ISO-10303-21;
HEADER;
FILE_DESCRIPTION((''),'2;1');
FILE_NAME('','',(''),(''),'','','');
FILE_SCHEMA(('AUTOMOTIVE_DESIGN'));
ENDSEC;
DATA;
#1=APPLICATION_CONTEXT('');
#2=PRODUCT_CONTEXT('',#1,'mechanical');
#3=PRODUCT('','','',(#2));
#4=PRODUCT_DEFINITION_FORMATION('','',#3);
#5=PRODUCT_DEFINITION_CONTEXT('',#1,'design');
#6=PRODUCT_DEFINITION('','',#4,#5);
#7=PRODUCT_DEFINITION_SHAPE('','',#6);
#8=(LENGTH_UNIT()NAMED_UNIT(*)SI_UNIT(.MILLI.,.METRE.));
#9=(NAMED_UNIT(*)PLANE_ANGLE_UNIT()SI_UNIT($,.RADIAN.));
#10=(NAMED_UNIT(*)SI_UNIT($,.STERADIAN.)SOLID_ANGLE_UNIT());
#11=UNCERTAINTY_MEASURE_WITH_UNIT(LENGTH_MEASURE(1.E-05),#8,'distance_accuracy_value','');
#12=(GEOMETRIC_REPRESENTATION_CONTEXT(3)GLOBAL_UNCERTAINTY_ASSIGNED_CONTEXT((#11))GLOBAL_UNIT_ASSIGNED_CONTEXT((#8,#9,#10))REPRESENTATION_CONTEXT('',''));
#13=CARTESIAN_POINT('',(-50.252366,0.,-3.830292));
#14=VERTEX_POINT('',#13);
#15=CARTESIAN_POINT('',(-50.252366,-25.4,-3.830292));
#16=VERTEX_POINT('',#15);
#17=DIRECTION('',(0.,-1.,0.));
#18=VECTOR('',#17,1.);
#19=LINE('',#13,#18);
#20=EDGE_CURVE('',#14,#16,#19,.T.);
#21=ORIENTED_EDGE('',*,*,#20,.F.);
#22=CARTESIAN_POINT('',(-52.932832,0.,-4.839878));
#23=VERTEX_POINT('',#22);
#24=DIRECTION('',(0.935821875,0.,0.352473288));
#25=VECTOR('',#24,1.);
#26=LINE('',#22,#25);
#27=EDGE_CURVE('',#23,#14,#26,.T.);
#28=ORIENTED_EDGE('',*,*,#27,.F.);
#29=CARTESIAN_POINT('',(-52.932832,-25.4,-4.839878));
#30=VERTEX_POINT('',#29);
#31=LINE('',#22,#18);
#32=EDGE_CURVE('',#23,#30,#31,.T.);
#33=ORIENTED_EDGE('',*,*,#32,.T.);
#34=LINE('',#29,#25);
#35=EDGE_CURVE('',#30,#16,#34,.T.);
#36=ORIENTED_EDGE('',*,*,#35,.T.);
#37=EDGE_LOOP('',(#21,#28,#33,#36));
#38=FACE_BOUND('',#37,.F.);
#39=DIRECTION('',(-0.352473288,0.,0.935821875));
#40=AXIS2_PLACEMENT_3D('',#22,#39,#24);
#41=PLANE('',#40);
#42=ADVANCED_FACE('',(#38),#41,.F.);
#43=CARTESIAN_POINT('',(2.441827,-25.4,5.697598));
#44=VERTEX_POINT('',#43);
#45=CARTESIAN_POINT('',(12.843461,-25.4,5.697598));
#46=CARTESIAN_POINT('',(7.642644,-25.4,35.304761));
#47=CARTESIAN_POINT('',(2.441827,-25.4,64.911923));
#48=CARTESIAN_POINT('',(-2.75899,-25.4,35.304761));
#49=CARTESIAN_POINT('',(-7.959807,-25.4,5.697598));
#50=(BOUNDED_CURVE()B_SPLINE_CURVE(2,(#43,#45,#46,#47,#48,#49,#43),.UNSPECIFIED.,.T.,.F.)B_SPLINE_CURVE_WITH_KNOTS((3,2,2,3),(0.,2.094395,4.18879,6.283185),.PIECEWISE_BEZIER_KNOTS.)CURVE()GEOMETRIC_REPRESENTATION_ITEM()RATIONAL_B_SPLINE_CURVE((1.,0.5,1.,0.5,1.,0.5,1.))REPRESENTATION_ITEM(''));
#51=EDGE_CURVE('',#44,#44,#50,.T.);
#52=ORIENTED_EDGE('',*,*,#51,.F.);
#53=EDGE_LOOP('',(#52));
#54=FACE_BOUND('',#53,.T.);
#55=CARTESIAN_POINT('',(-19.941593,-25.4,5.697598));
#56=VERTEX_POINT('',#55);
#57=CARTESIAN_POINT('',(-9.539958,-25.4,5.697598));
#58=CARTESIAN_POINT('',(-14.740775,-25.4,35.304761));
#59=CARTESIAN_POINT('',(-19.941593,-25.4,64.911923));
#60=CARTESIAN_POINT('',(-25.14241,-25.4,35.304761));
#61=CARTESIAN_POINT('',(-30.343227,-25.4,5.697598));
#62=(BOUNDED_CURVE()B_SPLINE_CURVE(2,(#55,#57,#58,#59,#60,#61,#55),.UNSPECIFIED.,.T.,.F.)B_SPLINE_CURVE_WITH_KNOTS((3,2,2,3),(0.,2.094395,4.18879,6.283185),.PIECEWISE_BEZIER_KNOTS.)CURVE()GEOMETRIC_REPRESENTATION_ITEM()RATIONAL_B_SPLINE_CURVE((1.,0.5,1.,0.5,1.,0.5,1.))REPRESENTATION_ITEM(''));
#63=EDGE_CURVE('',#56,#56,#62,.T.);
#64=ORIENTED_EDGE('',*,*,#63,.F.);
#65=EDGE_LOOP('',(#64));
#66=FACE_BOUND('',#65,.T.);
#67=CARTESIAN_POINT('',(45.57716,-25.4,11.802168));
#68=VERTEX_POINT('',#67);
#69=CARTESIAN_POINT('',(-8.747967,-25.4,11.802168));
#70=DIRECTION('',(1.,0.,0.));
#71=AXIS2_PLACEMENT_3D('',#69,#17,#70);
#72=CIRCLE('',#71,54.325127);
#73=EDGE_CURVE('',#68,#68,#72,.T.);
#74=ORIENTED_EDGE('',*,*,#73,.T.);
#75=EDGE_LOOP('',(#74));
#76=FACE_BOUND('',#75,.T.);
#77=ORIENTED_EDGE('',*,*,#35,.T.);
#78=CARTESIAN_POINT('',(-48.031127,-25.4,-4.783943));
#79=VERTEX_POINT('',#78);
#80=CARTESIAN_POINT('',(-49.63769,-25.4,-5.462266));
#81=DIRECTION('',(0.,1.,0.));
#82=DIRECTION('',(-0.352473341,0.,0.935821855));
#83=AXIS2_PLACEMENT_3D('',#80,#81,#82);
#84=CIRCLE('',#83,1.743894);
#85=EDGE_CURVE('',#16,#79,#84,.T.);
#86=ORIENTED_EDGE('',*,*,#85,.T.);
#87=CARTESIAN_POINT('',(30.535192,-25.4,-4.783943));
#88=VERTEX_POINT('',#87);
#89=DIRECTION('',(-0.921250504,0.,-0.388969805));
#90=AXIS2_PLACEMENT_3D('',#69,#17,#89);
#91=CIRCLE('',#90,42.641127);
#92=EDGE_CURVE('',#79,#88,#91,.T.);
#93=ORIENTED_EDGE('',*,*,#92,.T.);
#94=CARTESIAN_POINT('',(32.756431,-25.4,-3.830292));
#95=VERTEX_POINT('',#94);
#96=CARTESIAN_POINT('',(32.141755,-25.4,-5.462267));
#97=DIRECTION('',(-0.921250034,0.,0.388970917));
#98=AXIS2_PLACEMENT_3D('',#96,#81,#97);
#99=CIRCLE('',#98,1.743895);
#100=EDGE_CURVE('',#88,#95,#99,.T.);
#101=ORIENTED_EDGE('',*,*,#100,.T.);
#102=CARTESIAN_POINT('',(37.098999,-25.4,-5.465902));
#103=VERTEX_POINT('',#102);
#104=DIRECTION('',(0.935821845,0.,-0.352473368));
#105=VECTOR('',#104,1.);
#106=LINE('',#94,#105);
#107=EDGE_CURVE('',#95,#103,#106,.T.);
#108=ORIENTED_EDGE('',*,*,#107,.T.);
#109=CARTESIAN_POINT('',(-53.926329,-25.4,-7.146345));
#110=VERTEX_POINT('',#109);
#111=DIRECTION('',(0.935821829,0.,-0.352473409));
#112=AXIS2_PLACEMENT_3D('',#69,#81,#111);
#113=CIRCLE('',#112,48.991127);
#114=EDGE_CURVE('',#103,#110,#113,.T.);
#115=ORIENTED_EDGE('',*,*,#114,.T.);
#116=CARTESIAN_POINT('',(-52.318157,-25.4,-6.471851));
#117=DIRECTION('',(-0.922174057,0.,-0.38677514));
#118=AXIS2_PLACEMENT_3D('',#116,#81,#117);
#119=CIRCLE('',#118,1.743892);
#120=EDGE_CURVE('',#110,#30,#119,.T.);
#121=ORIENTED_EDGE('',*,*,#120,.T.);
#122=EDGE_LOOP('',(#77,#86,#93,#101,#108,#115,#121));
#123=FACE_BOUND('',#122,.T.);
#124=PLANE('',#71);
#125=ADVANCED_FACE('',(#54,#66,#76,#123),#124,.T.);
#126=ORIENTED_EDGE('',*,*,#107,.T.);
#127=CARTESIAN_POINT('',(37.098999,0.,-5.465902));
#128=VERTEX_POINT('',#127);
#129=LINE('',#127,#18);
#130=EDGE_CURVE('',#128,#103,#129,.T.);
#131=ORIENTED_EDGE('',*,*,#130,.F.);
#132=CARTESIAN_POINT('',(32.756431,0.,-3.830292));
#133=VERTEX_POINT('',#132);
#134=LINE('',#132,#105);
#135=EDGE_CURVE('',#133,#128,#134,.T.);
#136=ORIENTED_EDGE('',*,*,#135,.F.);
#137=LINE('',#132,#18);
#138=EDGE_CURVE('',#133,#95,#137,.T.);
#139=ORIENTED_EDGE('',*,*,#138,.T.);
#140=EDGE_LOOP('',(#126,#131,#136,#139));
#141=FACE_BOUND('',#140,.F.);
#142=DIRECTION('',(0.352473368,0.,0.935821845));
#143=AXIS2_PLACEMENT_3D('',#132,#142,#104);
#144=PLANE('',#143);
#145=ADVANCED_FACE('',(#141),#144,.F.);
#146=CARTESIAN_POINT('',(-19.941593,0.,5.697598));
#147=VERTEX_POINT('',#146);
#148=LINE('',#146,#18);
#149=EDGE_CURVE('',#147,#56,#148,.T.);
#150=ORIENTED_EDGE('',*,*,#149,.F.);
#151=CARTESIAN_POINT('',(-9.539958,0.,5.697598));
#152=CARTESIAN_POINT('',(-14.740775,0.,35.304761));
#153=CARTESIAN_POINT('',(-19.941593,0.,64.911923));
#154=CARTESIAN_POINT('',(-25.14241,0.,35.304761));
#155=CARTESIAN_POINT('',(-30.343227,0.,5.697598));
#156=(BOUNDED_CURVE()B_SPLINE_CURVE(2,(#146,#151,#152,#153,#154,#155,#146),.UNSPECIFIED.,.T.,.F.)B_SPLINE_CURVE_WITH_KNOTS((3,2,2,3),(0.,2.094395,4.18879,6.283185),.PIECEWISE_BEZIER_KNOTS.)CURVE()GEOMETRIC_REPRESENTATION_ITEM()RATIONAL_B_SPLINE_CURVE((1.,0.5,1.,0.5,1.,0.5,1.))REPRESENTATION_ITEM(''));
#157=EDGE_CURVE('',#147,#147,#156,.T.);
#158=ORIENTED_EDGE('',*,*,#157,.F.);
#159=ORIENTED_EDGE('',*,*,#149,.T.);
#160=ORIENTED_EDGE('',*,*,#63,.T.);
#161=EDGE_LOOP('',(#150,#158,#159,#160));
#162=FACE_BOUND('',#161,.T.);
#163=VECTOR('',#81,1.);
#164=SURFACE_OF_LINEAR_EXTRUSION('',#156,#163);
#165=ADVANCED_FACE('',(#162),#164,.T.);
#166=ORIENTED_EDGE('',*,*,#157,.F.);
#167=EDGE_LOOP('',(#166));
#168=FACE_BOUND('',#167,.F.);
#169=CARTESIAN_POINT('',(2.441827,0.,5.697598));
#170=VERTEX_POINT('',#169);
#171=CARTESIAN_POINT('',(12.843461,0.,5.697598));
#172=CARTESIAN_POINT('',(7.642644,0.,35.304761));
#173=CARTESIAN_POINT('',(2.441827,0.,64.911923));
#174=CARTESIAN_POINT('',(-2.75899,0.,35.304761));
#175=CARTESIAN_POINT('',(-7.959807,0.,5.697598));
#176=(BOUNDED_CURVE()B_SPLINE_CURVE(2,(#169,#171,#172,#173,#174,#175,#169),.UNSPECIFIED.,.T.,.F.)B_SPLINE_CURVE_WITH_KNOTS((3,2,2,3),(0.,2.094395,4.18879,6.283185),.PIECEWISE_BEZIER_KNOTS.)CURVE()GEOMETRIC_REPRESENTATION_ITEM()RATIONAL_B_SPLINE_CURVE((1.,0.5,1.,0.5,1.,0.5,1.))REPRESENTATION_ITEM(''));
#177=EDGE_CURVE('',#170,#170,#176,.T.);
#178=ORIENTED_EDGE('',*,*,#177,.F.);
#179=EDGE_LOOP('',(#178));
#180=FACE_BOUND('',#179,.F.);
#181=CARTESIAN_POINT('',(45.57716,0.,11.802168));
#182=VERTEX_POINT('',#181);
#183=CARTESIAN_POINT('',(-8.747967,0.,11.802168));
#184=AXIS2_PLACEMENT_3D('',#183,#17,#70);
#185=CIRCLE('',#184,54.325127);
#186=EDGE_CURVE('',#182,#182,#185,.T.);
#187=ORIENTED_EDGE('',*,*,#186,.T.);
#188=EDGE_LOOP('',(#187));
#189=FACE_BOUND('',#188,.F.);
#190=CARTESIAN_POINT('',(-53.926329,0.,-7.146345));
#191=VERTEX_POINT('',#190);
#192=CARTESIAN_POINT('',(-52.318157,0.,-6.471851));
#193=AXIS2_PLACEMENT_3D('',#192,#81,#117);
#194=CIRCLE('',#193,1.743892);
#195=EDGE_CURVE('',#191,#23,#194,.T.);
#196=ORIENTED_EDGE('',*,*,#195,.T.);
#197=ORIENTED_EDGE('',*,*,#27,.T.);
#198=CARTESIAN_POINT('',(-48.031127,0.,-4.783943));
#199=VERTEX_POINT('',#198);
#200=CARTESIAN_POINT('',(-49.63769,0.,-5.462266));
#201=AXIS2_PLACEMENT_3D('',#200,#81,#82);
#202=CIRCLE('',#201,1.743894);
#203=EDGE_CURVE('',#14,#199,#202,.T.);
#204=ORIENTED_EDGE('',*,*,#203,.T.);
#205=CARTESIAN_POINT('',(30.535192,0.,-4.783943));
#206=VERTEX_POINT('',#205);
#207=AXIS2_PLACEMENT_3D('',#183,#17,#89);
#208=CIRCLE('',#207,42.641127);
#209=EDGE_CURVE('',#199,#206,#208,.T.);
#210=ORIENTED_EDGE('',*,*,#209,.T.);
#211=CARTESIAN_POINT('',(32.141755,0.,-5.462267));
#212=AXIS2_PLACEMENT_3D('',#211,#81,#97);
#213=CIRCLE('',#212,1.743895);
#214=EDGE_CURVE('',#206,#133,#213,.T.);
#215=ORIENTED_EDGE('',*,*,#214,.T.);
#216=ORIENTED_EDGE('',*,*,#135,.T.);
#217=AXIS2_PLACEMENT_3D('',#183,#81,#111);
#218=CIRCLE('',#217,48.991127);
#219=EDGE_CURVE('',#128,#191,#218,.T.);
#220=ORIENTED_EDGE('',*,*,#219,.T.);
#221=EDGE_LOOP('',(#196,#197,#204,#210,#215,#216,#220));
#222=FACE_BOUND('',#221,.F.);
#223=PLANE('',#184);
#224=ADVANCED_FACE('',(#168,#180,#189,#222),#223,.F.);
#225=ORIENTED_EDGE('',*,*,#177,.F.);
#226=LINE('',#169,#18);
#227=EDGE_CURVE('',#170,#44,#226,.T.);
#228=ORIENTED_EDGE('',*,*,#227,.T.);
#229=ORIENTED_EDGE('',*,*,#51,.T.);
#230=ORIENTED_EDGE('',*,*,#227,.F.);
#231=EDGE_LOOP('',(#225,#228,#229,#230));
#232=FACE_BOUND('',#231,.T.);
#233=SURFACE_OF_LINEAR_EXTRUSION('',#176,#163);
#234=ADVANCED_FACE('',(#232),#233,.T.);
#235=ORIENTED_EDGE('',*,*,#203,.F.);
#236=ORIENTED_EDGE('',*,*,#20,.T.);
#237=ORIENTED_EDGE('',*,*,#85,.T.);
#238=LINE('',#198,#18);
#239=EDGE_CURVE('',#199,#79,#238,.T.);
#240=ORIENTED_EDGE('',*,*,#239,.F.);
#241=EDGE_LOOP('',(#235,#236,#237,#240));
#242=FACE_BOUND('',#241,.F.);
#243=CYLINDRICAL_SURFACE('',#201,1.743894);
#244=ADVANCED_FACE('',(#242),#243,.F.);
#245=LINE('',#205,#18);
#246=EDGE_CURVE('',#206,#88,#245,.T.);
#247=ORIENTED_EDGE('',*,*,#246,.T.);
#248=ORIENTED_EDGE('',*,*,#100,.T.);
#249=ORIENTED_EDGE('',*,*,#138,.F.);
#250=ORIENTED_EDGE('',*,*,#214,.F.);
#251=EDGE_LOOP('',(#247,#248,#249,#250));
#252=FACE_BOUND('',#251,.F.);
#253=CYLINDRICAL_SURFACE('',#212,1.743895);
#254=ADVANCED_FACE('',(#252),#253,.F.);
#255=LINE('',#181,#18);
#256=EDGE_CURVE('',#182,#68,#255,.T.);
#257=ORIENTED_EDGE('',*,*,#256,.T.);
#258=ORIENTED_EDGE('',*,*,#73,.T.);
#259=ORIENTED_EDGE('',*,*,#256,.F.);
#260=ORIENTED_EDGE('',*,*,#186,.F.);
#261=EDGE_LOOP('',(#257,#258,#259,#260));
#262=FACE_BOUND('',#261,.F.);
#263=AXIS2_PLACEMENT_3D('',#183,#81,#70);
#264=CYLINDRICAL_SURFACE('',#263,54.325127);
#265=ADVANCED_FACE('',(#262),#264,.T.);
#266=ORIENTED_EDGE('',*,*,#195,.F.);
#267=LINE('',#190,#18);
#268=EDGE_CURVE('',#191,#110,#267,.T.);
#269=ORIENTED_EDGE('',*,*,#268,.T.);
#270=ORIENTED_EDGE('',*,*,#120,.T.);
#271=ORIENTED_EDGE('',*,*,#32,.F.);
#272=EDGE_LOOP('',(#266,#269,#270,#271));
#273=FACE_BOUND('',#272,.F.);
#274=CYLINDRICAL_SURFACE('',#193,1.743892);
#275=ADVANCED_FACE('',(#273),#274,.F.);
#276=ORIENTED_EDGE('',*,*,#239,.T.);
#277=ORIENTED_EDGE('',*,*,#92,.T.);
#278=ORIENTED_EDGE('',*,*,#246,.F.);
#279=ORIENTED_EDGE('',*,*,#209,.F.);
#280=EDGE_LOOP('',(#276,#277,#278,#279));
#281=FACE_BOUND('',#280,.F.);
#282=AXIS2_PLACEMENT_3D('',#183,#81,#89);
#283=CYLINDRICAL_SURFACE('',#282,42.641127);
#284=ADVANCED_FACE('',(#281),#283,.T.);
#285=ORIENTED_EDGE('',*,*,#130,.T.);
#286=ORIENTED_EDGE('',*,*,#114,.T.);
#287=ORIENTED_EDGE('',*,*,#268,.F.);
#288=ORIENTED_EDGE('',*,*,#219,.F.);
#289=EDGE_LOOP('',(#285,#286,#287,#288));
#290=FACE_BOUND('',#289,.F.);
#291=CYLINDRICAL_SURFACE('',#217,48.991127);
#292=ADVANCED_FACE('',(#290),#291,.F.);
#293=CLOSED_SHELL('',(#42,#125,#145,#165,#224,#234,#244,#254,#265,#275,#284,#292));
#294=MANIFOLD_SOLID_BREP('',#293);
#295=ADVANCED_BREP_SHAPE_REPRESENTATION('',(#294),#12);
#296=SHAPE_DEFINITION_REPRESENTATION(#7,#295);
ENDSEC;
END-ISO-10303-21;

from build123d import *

# Parameters (mm, degrees)
F0_R     = 54.325127
F1_DEPTH = 25.4


with BuildPart() as f1:
    # F0 (on Front) → F1 (new body)
    with BuildSketch(Plane.XZ):
        with Locations((-8.747967, 11.802168)):
            Circle(F0_R)
        with BuildLine():
            ThreePointArc((37.098999, -5.465902), (-7.843683, -37.180613), (-53.926329, -7.146345))
            ThreePointArc((-53.926329, -7.146345), (-53.919784, -5.781959), (-52.932832, -4.839878))
            Line((-52.932832, -4.839878), (-50.252366, -3.830292))
            ThreePointArc((-50.252366, -3.830292), (-48.949705, -3.859817), (-48.031127, -4.783943))
            ThreePointArc((-48.031127, -4.783943), (-8.747967, -30.838959), (30.535192, -4.783943))
            ThreePointArc((30.535192, -4.783943), (31.453771, -3.859817), (32.756431, -3.830292))
            Line((32.756431, -3.830292), (37.098999, -5.465902))
        make_face(mode=Mode.SUBTRACT)
        with BuildLine():
            add(Edge.make_bspline(
                [(-19.941593, 5.697598), (-9.539958, 5.697598), (-14.740775, 35.304761), (-19.941593, 64.911923), (-25.14241, 35.304761), (-30.343227, 5.697598), (-19.941593, 5.697598)],
                knots=[0, 0, 0, 2.094395, 2.094395, 4.18879, 4.18879, 6.283185, 6.283185, 6.283185], degree=2, weights=[1, 0.5, 1, 0.5, 1, 0.5, 1]))
        make_face(mode=Mode.SUBTRACT)
        with BuildLine():
            add(Edge.make_bspline(
                [(2.441827, 5.697598), (12.843461, 5.697598), (7.642644, 35.304761), (2.441827, 64.911923), (-2.75899, 35.304761), (-7.959807, 5.697598), (2.441827, 5.697598)],
                knots=[0, 0, 0, 2.094395, 2.094395, 4.18879, 4.18879, 6.283185, 6.283185, 6.283185], degree=2, weights=[1, 0.5, 1, 0.5, 1, 0.5, 1]))
        make_face(mode=Mode.SUBTRACT)
    extrude(amount=F1_DEPTH)


solid = f1.part
